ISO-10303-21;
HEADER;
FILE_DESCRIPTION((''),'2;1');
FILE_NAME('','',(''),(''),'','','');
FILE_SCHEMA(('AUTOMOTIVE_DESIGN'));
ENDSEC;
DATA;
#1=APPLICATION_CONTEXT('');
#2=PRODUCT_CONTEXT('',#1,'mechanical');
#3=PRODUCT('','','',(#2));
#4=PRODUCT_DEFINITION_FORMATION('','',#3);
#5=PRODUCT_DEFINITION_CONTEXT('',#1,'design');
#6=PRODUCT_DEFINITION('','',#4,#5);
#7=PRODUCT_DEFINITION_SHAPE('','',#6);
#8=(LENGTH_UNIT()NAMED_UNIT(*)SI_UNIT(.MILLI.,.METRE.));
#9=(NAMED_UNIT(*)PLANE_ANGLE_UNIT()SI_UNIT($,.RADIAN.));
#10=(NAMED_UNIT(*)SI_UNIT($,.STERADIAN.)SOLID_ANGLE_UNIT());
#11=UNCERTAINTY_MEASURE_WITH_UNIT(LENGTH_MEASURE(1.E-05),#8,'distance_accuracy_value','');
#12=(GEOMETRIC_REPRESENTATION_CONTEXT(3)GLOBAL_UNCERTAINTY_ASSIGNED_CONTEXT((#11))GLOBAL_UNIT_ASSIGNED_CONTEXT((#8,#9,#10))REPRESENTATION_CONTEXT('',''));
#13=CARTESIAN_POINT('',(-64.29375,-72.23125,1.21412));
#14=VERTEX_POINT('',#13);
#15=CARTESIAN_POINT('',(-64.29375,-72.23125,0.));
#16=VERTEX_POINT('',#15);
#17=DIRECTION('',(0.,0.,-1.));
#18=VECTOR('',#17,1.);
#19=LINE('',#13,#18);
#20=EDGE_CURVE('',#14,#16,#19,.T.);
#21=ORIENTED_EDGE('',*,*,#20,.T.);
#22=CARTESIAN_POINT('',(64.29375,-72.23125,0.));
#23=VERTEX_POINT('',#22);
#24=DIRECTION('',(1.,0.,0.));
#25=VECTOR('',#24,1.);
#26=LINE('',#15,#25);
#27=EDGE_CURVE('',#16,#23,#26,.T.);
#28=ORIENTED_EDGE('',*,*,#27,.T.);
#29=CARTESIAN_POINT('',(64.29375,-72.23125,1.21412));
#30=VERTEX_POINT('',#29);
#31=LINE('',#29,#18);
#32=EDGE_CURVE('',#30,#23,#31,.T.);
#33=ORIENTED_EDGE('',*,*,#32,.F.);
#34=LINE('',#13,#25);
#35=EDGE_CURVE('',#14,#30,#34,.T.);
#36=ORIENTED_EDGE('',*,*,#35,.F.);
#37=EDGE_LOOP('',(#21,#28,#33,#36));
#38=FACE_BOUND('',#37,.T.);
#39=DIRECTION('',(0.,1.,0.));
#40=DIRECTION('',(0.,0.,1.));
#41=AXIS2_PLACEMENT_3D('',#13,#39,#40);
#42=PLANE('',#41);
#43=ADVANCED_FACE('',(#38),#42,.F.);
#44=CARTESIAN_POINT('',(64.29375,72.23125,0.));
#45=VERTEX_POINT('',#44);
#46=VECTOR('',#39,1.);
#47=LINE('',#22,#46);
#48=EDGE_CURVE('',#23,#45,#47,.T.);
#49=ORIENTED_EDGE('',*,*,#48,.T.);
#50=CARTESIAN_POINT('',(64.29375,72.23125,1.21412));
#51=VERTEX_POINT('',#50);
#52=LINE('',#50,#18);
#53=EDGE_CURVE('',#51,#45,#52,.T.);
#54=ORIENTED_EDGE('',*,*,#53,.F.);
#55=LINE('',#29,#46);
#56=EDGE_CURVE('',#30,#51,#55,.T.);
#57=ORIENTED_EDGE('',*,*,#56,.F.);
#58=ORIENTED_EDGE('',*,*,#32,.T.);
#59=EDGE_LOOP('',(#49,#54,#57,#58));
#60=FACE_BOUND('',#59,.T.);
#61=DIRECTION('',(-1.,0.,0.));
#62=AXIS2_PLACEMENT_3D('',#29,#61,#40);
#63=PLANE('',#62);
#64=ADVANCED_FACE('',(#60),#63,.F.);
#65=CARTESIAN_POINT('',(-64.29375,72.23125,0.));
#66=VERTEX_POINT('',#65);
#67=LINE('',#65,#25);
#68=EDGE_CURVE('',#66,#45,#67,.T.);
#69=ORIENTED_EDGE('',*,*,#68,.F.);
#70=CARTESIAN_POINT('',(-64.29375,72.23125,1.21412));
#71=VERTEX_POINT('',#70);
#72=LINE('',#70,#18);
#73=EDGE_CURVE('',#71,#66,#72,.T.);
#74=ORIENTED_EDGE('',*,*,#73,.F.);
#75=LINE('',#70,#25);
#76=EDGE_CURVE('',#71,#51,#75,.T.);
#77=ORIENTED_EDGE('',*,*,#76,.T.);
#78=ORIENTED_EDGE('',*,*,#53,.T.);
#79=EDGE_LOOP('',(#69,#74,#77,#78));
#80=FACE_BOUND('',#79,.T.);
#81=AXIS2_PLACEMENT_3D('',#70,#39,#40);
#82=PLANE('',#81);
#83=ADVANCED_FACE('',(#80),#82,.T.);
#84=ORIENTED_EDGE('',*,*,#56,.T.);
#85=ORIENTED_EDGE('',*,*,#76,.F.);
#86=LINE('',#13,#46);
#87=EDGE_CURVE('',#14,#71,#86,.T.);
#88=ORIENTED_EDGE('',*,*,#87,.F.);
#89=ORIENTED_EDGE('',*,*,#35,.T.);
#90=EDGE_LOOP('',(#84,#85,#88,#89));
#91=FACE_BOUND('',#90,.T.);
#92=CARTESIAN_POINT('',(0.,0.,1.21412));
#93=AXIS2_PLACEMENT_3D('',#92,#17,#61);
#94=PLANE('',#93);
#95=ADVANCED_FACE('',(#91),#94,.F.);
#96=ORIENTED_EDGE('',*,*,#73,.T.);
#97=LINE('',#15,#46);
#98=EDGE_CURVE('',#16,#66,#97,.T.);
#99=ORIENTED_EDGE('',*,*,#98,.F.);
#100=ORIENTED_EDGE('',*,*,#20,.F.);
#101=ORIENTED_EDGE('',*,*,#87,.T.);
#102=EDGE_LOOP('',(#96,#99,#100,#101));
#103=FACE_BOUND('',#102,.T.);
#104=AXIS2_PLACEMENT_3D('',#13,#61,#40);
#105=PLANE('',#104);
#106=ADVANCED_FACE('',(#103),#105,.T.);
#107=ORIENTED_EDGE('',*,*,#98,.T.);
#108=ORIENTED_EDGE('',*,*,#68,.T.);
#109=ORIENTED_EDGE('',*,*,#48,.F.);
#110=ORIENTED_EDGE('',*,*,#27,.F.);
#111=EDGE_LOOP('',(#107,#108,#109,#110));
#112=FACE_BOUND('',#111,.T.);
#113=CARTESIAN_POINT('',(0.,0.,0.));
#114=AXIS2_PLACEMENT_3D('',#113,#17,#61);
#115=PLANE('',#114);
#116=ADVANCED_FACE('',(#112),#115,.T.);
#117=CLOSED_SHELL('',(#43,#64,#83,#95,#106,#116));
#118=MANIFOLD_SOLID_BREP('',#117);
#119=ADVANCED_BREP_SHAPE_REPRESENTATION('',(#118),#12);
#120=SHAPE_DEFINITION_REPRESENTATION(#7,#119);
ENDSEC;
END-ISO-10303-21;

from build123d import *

# Parameters (mm, degrees)
SKETCH1_W           = 128.5875
SKETCH1_H           = 144.4625
BOSS_EXTRUDE1_DEPTH = 1.21412


with BuildPart() as part:
    # Sketch1 → Boss-Extrude1 (new body)
    with BuildSketch(Plane.XY):
        Rectangle(SKETCH1_W, SKETCH1_H)
    extrude(amount=BOSS_EXTRUDE1_DEPTH)


solid = part.part
